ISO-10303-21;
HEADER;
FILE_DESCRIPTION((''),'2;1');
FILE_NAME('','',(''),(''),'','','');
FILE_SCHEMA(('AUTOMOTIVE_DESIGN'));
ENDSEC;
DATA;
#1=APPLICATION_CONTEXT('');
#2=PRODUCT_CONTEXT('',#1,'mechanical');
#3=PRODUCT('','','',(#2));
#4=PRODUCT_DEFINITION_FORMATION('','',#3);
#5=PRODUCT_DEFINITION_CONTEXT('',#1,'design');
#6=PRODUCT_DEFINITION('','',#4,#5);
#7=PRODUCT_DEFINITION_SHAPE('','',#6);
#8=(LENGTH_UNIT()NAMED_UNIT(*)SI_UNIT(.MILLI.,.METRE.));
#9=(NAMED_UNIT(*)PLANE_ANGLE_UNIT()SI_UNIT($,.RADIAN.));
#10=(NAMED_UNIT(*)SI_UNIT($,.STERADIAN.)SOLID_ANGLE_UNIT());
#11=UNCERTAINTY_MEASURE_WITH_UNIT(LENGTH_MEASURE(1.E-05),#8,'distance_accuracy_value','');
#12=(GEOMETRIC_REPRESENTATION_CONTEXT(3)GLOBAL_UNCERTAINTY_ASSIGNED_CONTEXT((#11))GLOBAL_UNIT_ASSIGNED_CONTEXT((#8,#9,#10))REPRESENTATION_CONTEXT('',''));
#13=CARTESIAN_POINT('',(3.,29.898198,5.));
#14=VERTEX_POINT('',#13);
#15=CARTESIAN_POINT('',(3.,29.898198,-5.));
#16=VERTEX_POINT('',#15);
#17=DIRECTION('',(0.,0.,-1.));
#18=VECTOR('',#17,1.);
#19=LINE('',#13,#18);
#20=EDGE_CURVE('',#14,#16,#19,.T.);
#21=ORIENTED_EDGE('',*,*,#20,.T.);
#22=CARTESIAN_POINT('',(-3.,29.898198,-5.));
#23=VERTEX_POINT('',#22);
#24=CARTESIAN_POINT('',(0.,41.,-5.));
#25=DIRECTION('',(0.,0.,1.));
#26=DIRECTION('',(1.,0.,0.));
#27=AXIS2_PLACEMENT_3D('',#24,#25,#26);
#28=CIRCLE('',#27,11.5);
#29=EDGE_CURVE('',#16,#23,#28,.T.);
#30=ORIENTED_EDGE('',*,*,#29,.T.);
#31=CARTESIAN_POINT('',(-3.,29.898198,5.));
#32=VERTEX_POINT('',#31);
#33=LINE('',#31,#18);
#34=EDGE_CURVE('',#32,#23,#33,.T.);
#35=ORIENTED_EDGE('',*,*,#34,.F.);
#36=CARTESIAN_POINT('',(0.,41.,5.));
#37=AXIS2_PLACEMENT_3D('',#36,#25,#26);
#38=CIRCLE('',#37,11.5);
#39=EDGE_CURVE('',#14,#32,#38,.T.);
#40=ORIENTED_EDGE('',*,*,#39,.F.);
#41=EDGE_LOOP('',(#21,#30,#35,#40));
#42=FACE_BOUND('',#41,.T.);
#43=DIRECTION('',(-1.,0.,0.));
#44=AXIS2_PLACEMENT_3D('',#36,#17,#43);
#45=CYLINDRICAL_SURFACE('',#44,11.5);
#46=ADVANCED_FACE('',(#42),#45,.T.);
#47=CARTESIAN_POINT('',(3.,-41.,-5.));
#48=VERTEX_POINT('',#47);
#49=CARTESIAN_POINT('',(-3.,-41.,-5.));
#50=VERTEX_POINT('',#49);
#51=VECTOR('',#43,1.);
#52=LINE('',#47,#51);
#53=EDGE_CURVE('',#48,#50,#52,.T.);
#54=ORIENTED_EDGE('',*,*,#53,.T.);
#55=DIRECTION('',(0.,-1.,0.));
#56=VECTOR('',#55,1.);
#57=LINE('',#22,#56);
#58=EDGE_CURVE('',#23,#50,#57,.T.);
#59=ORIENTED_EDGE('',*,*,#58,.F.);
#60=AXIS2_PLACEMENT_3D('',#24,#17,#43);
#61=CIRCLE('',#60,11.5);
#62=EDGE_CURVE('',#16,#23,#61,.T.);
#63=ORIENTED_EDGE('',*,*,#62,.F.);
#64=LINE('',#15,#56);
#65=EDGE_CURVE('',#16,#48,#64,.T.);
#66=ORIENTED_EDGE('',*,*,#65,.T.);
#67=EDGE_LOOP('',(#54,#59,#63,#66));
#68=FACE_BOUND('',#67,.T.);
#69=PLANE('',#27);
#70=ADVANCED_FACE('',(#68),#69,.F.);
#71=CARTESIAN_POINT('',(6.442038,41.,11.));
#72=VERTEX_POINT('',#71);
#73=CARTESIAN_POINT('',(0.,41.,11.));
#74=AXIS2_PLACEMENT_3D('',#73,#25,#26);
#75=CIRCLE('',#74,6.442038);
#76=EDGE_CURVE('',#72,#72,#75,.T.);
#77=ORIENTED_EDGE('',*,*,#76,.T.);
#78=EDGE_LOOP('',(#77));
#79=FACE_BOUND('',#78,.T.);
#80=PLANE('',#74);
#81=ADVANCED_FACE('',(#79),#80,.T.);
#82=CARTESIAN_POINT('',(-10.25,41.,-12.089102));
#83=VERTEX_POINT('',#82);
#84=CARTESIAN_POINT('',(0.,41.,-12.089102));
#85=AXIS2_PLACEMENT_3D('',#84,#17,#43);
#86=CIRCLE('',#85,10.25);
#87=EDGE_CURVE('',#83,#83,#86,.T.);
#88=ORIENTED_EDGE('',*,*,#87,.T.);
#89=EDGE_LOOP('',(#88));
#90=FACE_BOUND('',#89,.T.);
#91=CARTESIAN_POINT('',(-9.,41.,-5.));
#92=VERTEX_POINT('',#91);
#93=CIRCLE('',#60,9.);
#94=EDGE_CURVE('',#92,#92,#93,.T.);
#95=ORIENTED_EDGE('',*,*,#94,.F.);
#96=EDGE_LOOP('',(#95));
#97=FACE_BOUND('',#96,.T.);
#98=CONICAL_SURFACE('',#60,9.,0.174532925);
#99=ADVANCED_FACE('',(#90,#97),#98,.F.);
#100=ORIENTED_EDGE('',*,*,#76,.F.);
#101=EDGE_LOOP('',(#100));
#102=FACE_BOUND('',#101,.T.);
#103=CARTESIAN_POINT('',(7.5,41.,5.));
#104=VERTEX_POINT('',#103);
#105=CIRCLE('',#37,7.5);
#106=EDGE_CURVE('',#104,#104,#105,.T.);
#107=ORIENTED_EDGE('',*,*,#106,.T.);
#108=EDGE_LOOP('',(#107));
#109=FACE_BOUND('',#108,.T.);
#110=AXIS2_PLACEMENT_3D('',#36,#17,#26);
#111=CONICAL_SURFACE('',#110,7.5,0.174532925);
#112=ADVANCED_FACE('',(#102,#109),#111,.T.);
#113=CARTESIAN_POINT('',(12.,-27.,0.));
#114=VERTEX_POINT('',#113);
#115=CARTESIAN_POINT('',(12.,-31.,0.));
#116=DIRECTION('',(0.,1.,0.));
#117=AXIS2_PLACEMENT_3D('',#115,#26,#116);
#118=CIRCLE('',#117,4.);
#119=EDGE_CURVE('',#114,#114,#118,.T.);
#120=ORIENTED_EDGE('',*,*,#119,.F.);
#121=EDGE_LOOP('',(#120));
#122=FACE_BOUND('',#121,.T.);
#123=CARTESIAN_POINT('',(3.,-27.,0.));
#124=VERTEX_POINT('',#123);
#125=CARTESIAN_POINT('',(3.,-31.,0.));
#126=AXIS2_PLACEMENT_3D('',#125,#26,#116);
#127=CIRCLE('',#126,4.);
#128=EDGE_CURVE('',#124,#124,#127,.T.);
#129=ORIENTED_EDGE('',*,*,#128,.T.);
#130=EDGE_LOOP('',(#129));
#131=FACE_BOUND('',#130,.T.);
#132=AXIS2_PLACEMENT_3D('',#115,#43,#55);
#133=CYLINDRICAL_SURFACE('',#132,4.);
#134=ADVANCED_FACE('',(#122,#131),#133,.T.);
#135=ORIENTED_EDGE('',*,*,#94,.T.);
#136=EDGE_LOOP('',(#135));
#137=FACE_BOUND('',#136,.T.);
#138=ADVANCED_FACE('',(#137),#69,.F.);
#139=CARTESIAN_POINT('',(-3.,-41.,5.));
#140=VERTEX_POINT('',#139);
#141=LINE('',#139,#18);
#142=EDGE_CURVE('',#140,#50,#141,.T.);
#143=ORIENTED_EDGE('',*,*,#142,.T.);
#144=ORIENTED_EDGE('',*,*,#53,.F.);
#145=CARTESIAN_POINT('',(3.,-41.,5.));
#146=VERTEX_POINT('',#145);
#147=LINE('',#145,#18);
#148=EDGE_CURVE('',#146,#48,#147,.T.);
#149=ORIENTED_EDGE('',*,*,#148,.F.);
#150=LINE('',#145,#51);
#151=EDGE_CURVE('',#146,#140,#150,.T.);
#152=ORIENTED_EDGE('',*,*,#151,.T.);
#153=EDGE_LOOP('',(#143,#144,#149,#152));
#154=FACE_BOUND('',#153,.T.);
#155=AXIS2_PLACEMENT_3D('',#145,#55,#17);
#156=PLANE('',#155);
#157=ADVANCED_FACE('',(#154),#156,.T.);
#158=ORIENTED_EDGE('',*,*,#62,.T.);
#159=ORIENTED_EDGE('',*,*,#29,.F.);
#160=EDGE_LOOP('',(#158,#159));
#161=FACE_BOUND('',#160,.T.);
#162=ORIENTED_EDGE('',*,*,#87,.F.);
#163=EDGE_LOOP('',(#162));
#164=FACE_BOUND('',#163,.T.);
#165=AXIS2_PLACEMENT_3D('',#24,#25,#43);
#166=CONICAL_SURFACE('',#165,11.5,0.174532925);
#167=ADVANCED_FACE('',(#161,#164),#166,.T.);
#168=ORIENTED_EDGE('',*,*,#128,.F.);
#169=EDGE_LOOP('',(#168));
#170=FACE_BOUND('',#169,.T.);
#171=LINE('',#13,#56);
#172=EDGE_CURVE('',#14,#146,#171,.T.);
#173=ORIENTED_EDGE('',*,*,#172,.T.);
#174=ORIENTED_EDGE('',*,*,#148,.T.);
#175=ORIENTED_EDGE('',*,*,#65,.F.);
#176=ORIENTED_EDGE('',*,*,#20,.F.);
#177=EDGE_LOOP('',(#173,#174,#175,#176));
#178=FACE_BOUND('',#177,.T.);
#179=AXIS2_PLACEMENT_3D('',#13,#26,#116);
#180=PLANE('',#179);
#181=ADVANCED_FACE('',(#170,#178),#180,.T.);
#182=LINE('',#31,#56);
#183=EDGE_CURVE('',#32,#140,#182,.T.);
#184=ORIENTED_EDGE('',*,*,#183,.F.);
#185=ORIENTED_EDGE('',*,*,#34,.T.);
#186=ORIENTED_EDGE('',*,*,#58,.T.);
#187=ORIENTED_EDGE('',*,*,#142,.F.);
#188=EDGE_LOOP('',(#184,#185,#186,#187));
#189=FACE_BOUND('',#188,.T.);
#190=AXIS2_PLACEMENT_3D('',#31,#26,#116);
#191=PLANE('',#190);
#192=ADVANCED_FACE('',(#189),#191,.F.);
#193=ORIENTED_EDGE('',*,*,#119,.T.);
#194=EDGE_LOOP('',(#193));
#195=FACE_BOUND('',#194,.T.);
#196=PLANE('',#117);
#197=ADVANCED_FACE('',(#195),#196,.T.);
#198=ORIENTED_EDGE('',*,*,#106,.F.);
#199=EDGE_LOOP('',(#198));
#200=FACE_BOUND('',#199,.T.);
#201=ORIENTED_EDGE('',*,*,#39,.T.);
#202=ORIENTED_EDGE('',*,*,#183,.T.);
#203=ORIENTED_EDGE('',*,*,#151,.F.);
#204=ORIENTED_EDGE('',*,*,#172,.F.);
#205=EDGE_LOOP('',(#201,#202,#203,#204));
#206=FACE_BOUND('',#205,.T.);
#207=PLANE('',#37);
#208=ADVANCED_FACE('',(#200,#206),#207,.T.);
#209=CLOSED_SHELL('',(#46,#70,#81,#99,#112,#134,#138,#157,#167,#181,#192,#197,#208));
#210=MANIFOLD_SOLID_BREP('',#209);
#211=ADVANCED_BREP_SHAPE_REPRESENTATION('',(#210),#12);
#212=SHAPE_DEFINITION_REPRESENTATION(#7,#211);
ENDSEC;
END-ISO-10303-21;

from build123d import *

# Parameters (mm, degrees)
BOSS_EXTRUDE1_DEPTH = 5
SKETCH2_R           = 7.5
BOSS_EXTRUDE2_DEPTH = 6
BOSS_EXTRUDE2_TAPER = 10
SKETCH3_R           = 4
BOSS_EXTRUDE3_DEPTH = 9
SKETCH4_R           = 11.5
SKETCH4_R_2         = 9
BOSS_EXTRUDE4_DEPTH = 9
BOSS_EXTRUDE4_TAPER = 10


with BuildPart() as part:
    # Sketch1 → Boss-Extrude1 (new, symmetric)
    with BuildSketch(Plane.XY):
        with BuildLine():
            Line((3, 29.898198344), (3, -41))
            Line((3, -41), (-3, -41))
            Line((-3, -41), (-3, 29.898198344))
            ThreePointArc((-3, 29.898198344), (0, 52.5), (3, 29.898198344))
        make_face()
    extrude(amount=BOSS_EXTRUDE1_DEPTH, both=True)

    # Sketch2 → Boss-Extrude2 (add)
    with BuildSketch(Plane.XY.offset(5)):
        with Locations((0, 41)):
            Circle(SKETCH2_R)
    extrude(amount=BOSS_EXTRUDE2_DEPTH, taper=BOSS_EXTRUDE2_TAPER)

    # Sketch3 → Boss-Extrude3 (add)
    with BuildSketch(Plane(origin=(3, 0, 0), x_dir=(0, 0, -1), z_dir=(1, 0, 0))):
        with Locations(Location((0, -31, 0), (0, 0, 90))):
            Circle(SKETCH3_R)
    extrude(amount=BOSS_EXTRUDE3_DEPTH)

    # Sketch4 → Boss-Extrude4 (add)
    with BuildSketch(Plane(origin=(0, 0, -5), x_dir=(-1, 0, 0), z_dir=(0, 0, -1))):
        with Locations((0, 41)):
            Circle(SKETCH4_R)
        with Locations((0, 41)):
            Circle(SKETCH4_R_2, mode=Mode.SUBTRACT)
    extrude(amount=BOSS_EXTRUDE4_DEPTH, taper=BOSS_EXTRUDE4_TAPER)


solid = part.part
